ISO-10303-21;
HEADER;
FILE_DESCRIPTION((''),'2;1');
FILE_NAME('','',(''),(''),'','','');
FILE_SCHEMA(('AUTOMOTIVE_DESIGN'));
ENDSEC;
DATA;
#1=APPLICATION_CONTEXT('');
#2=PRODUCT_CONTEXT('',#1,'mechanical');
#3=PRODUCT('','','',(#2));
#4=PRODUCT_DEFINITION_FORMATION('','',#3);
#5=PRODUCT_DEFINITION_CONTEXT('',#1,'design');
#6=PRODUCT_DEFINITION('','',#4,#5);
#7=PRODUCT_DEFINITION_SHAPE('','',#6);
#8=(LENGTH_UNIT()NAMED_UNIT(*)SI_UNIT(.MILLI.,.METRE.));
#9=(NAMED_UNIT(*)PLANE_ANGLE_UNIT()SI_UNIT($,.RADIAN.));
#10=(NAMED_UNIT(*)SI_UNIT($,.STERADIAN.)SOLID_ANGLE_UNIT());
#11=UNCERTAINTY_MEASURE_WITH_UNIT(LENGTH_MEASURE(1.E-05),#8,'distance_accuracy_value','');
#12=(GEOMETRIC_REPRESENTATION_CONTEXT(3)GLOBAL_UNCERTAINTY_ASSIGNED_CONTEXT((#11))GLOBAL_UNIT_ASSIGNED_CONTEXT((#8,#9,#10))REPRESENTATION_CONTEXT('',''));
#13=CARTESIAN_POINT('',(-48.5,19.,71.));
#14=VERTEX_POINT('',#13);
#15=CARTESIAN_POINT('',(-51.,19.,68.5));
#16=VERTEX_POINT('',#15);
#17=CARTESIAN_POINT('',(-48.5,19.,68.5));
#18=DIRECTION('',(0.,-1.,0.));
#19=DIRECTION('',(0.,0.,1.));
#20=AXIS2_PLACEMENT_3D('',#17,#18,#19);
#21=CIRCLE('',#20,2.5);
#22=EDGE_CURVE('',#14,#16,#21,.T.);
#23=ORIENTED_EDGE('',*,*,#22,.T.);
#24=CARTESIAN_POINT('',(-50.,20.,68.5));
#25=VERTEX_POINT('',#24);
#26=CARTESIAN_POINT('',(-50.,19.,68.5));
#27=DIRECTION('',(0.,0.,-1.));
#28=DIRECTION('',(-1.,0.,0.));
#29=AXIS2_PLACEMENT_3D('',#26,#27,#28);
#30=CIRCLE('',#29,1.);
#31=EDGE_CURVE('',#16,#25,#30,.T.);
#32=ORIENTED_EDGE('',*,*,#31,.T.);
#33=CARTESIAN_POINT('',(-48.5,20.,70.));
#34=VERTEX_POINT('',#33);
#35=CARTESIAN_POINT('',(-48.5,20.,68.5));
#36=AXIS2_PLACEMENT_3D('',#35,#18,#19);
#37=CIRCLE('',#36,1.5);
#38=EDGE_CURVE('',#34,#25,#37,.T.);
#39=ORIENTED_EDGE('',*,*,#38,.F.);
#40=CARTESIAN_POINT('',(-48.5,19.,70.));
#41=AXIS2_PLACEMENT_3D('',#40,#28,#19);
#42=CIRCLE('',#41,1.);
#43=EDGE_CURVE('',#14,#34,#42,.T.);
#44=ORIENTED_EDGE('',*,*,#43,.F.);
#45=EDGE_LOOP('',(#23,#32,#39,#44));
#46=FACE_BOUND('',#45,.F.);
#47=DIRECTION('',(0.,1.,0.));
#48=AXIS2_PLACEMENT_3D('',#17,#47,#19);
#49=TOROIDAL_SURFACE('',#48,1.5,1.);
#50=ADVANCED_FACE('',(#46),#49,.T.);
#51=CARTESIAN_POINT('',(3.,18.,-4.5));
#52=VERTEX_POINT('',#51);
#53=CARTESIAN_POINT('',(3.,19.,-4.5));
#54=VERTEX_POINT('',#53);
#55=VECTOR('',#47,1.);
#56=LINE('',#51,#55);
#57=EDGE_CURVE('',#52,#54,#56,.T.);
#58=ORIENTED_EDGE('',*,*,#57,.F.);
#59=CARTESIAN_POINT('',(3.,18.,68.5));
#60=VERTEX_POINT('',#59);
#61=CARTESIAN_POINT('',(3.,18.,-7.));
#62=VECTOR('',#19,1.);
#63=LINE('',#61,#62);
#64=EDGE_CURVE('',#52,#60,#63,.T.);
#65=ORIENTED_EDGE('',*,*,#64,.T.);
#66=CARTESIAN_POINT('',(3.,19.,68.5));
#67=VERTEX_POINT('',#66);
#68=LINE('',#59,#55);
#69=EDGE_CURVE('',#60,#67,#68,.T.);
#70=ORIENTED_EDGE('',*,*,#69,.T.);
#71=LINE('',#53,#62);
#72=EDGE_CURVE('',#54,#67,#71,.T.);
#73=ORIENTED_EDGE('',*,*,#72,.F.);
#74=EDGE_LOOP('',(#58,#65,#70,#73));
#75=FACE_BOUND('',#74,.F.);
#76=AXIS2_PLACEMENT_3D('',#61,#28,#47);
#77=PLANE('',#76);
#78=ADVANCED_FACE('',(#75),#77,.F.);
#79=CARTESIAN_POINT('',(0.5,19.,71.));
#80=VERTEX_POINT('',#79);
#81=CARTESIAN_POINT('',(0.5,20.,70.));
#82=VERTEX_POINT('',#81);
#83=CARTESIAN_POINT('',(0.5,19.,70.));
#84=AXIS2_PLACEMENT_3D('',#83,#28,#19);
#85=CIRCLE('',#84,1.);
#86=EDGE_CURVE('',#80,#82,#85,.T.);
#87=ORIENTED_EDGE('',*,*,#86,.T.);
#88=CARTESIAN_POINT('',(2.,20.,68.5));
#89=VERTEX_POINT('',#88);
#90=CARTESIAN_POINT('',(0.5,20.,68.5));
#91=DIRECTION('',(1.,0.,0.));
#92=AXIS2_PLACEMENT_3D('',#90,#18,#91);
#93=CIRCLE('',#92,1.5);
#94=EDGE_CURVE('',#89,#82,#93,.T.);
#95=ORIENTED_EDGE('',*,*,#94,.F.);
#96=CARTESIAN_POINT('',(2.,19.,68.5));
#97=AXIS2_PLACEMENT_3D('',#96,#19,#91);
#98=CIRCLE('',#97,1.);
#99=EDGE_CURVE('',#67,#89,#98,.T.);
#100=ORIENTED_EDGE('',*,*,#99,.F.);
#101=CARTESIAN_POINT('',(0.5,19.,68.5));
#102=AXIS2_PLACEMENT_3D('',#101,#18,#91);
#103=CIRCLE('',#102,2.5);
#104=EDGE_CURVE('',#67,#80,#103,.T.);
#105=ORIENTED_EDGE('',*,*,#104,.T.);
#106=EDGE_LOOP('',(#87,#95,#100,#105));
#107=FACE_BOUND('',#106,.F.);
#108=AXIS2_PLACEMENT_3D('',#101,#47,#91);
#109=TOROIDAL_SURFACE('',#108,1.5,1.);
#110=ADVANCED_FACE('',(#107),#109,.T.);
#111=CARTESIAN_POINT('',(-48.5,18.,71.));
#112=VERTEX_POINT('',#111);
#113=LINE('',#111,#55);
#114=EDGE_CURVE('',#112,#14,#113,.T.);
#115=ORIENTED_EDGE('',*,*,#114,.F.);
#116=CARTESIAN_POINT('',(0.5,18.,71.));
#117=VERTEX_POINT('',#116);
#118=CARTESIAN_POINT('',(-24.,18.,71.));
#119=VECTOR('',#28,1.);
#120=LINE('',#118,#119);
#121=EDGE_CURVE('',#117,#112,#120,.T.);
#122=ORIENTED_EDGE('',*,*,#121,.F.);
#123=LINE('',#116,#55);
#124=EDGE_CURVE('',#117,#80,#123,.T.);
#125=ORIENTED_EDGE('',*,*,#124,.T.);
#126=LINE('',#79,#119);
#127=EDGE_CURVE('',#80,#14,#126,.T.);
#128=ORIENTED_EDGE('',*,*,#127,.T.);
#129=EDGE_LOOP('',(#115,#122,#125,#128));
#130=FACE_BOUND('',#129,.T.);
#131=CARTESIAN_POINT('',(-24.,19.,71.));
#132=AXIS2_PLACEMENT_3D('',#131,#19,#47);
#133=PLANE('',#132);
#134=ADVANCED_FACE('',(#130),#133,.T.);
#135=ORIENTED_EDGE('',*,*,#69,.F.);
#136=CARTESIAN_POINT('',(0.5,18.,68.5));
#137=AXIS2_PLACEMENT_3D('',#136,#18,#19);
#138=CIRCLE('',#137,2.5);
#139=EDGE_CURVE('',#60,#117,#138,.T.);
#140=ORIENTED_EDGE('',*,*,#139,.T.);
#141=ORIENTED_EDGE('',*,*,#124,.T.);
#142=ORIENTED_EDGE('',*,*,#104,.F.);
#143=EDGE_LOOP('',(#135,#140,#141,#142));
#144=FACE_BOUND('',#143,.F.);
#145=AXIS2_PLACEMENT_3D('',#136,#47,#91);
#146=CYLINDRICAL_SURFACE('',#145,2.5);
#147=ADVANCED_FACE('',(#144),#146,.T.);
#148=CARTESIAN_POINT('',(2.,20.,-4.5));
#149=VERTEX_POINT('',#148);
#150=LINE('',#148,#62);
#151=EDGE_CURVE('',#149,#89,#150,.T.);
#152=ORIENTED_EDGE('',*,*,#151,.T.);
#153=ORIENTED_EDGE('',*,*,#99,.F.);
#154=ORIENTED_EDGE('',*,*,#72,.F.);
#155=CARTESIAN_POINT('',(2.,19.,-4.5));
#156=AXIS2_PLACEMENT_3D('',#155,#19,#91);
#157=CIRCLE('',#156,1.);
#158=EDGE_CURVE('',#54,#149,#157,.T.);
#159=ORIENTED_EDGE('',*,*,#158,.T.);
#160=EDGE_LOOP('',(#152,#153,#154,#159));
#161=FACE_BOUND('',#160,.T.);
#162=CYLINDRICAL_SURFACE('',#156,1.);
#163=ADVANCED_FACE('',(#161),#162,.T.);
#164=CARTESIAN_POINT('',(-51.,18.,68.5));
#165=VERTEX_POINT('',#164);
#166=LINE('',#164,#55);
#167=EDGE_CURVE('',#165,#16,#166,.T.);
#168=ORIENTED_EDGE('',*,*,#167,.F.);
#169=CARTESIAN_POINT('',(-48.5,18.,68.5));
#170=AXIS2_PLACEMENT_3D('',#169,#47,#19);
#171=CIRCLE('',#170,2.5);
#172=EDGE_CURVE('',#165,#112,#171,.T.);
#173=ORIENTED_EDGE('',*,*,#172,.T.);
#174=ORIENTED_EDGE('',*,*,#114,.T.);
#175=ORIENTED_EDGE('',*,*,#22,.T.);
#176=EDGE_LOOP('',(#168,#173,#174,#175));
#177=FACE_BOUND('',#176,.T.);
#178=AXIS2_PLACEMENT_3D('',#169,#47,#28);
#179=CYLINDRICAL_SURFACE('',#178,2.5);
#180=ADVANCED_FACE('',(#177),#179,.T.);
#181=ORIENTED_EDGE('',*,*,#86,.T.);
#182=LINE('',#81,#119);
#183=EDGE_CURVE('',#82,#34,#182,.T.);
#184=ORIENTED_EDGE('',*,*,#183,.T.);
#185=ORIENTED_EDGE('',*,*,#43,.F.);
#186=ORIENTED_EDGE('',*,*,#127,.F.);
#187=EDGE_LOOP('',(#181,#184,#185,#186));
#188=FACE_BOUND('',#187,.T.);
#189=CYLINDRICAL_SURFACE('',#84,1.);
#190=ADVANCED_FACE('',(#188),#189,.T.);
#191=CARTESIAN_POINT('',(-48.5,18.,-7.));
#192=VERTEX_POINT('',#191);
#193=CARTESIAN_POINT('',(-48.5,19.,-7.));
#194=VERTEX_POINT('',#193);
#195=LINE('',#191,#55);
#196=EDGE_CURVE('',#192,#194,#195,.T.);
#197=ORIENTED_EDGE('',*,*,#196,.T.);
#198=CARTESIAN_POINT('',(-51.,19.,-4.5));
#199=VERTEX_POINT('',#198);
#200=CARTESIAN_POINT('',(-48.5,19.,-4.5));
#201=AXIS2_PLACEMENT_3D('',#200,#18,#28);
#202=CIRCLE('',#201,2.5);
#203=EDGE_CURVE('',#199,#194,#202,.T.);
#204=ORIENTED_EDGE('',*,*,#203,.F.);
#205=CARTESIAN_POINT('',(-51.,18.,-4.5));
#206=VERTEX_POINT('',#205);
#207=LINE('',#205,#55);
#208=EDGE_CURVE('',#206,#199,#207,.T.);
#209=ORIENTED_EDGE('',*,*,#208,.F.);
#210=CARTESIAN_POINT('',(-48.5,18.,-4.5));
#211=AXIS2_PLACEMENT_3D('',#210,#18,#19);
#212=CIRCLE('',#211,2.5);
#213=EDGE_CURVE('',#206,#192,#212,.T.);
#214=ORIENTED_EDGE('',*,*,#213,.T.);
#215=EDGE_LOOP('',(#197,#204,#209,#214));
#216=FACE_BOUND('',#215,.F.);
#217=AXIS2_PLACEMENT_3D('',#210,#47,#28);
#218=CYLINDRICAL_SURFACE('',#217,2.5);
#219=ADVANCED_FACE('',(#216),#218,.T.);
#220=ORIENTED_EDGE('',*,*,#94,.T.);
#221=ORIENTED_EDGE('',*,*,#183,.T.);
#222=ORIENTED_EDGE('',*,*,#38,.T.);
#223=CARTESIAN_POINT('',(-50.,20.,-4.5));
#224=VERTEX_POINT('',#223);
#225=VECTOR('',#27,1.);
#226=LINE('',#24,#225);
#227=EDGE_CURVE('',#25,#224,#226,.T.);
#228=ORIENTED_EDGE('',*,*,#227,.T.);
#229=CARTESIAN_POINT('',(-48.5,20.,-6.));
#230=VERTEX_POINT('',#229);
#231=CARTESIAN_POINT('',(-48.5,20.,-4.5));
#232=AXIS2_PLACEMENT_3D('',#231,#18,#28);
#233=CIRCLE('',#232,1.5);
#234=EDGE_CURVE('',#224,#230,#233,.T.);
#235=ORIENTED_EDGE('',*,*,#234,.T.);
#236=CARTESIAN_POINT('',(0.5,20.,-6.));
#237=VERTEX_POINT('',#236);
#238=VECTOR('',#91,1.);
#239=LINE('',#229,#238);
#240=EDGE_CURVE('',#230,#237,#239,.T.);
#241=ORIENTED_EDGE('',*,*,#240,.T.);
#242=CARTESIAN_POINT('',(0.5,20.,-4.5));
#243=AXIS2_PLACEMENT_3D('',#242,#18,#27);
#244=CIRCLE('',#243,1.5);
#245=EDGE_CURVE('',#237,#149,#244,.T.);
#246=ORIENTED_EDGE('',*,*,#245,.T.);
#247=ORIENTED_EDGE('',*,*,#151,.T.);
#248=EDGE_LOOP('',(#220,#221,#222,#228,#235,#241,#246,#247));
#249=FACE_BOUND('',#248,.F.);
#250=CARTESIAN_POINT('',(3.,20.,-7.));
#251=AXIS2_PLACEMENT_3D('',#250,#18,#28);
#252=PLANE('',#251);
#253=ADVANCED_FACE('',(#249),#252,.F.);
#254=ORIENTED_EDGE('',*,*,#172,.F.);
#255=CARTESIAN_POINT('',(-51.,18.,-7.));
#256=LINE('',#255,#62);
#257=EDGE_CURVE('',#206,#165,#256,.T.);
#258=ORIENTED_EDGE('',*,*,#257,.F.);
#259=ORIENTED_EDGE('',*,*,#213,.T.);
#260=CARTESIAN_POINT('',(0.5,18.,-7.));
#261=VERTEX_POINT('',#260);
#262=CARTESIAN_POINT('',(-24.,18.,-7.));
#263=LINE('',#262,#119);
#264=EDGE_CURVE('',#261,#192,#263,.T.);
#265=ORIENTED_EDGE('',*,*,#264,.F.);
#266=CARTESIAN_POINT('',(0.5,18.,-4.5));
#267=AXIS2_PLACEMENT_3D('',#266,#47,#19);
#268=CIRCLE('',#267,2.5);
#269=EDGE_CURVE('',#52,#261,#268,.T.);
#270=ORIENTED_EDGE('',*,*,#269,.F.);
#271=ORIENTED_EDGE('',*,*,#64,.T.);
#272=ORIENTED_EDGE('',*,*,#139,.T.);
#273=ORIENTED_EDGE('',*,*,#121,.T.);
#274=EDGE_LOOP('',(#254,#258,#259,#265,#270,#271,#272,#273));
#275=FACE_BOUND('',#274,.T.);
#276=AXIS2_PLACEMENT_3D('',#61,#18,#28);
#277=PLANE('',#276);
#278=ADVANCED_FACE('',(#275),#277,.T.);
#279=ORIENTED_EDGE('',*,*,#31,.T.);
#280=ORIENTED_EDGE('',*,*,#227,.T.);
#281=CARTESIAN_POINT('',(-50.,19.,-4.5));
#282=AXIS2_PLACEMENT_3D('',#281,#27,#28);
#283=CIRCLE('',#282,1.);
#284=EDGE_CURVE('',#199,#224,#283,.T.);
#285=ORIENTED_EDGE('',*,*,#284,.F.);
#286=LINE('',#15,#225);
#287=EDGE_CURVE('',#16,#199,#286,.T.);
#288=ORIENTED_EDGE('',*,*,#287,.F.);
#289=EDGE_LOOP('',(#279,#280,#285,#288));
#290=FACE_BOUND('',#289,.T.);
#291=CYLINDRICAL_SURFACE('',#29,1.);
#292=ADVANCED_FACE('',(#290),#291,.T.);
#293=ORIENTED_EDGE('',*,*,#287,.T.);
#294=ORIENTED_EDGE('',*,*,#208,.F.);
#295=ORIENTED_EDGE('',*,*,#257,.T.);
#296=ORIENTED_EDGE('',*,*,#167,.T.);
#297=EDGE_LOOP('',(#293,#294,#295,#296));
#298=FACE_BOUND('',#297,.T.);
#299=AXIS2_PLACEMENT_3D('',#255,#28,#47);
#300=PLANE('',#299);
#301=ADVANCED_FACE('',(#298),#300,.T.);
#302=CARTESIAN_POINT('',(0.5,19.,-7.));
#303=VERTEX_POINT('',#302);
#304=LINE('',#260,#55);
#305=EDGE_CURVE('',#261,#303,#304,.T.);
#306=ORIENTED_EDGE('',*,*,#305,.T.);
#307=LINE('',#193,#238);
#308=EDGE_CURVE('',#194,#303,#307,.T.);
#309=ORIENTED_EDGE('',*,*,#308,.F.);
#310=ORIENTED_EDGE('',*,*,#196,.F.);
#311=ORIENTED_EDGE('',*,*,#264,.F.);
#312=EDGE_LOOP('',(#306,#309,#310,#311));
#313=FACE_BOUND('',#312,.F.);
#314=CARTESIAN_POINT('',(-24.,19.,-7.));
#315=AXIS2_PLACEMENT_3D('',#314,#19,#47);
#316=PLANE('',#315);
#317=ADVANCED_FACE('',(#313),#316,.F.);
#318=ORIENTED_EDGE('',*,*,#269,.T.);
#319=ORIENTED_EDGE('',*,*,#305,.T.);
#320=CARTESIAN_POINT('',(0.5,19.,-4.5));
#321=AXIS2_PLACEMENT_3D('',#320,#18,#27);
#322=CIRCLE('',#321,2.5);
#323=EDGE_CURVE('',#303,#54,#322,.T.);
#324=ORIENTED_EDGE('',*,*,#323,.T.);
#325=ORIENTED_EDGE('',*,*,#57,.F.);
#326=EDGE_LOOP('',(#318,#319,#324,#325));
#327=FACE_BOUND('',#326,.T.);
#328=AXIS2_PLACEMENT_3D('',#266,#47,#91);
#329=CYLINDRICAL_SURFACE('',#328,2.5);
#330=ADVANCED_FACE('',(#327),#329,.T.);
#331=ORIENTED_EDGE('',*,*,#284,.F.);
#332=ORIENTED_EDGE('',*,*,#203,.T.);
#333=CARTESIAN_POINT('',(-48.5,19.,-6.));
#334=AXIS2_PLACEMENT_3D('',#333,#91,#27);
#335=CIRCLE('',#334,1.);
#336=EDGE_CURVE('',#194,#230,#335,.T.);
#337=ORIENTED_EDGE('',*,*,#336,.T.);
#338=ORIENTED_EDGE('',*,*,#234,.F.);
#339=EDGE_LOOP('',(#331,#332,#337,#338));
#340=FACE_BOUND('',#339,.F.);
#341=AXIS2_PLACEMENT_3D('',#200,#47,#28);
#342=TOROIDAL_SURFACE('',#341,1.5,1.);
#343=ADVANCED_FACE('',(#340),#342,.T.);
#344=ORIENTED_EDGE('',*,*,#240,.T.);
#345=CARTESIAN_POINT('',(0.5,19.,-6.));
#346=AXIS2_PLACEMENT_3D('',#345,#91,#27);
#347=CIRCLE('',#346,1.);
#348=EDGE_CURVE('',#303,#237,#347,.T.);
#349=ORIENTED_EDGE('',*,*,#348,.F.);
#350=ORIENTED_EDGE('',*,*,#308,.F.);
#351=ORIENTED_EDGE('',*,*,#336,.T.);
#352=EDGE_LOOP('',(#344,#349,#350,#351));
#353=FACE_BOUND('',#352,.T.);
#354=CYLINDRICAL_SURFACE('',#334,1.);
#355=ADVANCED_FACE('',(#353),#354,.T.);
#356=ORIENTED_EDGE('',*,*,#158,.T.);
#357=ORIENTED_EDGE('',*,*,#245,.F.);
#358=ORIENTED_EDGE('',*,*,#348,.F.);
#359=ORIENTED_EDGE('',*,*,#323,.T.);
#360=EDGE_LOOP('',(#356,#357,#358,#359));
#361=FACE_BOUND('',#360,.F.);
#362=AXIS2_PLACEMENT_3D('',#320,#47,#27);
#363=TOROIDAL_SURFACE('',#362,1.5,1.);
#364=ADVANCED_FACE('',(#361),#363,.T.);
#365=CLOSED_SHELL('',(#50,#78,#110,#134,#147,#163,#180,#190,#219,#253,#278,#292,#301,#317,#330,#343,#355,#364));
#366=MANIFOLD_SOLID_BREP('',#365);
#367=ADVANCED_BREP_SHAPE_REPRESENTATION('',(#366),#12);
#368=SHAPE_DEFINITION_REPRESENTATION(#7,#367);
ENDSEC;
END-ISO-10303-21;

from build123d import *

# Parameters (mm, degrees)
BOX003_W     = 2
BOX003_H     = 54
BOX003_DEPTH = 78
FILLET003_R  = 2.5
FILLET004_R  = 1


with BuildPart() as part:
    # Box003 → Box003 (new body)
    with BuildSketch(Plane(origin=(3, 18, -7), x_dir=(0, 1, 0), z_dir=(0, 0, 1))):
        with Locations((1, 27)):
            Rectangle(BOX003_W, BOX003_H)
    extrude(amount=BOX003_DEPTH)

    # Fillet003
    fillet003_edges = [part.edges().sort_by_distance(p)[0] for p in [
        (3, 19, -7),
        (3, 19, 71),
        (-51, 19, -7),
        (-51, 19, 71),
    ]]
    fillet(fillet003_edges, radius=FILLET003_R)

    # Fillet004
    fillet004_edges = [part.edges().sort_by_distance(p)[0] for p in [
        (3, 20, 32),
        (-24, 20, -7),
        (-24, 20, 71),
        (-51, 20, 32),
    ]]
    fillet(fillet004_edges, radius=FILLET004_R)


solid = part.part
